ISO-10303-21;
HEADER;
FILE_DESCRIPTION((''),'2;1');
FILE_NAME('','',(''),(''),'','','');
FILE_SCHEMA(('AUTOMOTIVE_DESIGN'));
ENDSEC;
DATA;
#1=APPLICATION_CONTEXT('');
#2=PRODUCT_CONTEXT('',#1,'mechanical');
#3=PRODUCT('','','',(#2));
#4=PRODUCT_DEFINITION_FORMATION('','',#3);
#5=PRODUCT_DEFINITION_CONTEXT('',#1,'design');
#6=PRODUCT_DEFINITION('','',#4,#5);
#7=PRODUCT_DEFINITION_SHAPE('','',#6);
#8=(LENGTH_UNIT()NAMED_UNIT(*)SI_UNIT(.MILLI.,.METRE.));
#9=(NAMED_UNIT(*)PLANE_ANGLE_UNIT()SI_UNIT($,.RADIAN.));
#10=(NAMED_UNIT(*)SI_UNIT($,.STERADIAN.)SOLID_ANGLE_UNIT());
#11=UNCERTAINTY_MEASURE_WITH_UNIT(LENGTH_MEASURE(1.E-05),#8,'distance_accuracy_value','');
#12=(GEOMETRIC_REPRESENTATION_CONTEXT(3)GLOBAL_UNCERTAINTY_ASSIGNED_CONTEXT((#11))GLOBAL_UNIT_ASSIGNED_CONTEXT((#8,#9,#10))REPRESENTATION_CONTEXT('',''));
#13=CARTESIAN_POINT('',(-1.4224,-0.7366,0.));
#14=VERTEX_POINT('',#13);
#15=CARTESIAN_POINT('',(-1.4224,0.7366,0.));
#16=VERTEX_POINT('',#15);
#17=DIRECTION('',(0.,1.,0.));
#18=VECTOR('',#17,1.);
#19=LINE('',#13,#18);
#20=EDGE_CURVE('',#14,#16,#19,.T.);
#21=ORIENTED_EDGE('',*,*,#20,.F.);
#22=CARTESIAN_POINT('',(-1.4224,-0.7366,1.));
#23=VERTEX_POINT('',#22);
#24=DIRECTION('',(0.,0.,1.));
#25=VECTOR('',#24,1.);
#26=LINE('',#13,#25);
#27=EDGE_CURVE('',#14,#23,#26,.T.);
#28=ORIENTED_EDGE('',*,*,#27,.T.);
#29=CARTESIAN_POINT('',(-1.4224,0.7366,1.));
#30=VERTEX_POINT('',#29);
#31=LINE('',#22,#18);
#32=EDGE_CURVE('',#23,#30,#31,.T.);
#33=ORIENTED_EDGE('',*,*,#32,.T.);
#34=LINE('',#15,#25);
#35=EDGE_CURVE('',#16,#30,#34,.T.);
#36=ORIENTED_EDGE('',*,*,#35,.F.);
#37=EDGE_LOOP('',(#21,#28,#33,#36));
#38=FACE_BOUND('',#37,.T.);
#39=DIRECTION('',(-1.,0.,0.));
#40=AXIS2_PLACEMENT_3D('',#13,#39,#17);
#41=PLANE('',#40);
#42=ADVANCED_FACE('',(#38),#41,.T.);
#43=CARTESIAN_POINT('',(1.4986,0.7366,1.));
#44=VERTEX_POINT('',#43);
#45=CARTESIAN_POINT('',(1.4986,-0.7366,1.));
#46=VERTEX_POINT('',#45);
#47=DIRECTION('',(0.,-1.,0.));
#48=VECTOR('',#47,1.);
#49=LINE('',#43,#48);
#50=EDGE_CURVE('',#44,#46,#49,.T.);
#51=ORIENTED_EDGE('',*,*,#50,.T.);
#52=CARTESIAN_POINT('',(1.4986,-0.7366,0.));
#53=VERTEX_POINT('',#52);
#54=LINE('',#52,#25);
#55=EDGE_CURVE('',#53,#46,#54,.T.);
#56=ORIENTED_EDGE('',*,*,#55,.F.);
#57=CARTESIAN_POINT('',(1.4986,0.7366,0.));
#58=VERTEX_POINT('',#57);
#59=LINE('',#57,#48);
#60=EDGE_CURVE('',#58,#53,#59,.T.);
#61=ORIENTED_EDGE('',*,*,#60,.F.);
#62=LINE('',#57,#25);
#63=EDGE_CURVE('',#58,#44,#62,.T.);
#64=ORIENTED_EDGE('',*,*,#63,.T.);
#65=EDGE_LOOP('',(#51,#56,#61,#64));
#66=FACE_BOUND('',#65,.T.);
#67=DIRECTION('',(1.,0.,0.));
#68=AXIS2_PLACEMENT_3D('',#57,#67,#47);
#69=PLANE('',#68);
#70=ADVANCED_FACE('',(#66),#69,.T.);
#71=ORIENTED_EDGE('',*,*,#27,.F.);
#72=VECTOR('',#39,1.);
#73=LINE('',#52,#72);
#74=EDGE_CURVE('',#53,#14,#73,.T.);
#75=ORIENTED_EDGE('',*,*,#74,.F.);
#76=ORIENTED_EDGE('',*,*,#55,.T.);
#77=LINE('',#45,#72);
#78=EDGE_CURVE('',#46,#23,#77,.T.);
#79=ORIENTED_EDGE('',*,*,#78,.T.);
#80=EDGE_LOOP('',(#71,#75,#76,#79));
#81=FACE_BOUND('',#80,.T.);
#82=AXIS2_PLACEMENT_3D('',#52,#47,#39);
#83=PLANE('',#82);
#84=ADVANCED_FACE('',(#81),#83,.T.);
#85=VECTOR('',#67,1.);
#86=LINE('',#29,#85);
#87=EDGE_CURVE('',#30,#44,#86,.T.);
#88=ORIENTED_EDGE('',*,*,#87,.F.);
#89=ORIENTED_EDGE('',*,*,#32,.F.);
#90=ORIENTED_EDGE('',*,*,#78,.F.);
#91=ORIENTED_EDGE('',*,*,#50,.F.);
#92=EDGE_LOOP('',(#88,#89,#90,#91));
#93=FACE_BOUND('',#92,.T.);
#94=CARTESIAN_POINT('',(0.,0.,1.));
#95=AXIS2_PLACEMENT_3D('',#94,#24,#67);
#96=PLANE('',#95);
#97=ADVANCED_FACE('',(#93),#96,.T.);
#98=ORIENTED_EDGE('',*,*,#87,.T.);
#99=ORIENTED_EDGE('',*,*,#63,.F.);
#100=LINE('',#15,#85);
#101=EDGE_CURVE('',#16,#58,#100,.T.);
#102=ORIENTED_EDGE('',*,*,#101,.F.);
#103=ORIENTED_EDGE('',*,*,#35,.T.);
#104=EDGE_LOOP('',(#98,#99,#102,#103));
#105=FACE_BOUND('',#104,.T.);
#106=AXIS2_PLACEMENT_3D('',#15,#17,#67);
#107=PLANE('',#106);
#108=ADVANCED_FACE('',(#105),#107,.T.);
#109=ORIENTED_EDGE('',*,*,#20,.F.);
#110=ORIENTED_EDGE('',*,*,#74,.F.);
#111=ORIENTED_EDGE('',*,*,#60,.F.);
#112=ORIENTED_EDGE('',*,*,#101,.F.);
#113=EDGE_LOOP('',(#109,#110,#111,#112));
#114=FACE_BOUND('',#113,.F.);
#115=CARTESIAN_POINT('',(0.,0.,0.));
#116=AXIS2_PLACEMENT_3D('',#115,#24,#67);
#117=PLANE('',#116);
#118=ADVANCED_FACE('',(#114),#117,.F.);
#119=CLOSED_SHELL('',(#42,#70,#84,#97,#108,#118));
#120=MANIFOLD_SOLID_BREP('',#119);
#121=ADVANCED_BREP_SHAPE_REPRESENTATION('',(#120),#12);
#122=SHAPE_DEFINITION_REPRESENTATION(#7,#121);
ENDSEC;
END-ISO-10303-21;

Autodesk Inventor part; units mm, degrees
ref_plane "YZ Plane" through (0, 0, 0) normal (1, 0, 0) x (0, 1, 0)
ref_plane "XZ Plane" through (0, 0, 0) normal (0, 1, 0) x (-1, 0, 0)
ref_plane "XY Plane" through (0, 0, 0) normal (0, 0, 1) x (1, 0, 0)
sketch "SOT23-3, MMBT2222A_30" plane through (0, 0, 0) normal (0, 0, 1) x (1, 0, 0)
  line L0 (-1.4224, 0.7366) -> (1.4986, 0.7366)
  line L1 (1.4986, 0.7366) -> (1.4986, -0.7366)
  line L2 (1.4986, -0.7366) -> (-1.4224, -0.7366)
  line L3 (-1.4224, -0.7366) -> (-1.4224, 0.7366)
extrude "Extrusion1" add sketch "SOT23-3, MMBT2222A_30" along normal blind 1
properties part number "MMBT2222A"
